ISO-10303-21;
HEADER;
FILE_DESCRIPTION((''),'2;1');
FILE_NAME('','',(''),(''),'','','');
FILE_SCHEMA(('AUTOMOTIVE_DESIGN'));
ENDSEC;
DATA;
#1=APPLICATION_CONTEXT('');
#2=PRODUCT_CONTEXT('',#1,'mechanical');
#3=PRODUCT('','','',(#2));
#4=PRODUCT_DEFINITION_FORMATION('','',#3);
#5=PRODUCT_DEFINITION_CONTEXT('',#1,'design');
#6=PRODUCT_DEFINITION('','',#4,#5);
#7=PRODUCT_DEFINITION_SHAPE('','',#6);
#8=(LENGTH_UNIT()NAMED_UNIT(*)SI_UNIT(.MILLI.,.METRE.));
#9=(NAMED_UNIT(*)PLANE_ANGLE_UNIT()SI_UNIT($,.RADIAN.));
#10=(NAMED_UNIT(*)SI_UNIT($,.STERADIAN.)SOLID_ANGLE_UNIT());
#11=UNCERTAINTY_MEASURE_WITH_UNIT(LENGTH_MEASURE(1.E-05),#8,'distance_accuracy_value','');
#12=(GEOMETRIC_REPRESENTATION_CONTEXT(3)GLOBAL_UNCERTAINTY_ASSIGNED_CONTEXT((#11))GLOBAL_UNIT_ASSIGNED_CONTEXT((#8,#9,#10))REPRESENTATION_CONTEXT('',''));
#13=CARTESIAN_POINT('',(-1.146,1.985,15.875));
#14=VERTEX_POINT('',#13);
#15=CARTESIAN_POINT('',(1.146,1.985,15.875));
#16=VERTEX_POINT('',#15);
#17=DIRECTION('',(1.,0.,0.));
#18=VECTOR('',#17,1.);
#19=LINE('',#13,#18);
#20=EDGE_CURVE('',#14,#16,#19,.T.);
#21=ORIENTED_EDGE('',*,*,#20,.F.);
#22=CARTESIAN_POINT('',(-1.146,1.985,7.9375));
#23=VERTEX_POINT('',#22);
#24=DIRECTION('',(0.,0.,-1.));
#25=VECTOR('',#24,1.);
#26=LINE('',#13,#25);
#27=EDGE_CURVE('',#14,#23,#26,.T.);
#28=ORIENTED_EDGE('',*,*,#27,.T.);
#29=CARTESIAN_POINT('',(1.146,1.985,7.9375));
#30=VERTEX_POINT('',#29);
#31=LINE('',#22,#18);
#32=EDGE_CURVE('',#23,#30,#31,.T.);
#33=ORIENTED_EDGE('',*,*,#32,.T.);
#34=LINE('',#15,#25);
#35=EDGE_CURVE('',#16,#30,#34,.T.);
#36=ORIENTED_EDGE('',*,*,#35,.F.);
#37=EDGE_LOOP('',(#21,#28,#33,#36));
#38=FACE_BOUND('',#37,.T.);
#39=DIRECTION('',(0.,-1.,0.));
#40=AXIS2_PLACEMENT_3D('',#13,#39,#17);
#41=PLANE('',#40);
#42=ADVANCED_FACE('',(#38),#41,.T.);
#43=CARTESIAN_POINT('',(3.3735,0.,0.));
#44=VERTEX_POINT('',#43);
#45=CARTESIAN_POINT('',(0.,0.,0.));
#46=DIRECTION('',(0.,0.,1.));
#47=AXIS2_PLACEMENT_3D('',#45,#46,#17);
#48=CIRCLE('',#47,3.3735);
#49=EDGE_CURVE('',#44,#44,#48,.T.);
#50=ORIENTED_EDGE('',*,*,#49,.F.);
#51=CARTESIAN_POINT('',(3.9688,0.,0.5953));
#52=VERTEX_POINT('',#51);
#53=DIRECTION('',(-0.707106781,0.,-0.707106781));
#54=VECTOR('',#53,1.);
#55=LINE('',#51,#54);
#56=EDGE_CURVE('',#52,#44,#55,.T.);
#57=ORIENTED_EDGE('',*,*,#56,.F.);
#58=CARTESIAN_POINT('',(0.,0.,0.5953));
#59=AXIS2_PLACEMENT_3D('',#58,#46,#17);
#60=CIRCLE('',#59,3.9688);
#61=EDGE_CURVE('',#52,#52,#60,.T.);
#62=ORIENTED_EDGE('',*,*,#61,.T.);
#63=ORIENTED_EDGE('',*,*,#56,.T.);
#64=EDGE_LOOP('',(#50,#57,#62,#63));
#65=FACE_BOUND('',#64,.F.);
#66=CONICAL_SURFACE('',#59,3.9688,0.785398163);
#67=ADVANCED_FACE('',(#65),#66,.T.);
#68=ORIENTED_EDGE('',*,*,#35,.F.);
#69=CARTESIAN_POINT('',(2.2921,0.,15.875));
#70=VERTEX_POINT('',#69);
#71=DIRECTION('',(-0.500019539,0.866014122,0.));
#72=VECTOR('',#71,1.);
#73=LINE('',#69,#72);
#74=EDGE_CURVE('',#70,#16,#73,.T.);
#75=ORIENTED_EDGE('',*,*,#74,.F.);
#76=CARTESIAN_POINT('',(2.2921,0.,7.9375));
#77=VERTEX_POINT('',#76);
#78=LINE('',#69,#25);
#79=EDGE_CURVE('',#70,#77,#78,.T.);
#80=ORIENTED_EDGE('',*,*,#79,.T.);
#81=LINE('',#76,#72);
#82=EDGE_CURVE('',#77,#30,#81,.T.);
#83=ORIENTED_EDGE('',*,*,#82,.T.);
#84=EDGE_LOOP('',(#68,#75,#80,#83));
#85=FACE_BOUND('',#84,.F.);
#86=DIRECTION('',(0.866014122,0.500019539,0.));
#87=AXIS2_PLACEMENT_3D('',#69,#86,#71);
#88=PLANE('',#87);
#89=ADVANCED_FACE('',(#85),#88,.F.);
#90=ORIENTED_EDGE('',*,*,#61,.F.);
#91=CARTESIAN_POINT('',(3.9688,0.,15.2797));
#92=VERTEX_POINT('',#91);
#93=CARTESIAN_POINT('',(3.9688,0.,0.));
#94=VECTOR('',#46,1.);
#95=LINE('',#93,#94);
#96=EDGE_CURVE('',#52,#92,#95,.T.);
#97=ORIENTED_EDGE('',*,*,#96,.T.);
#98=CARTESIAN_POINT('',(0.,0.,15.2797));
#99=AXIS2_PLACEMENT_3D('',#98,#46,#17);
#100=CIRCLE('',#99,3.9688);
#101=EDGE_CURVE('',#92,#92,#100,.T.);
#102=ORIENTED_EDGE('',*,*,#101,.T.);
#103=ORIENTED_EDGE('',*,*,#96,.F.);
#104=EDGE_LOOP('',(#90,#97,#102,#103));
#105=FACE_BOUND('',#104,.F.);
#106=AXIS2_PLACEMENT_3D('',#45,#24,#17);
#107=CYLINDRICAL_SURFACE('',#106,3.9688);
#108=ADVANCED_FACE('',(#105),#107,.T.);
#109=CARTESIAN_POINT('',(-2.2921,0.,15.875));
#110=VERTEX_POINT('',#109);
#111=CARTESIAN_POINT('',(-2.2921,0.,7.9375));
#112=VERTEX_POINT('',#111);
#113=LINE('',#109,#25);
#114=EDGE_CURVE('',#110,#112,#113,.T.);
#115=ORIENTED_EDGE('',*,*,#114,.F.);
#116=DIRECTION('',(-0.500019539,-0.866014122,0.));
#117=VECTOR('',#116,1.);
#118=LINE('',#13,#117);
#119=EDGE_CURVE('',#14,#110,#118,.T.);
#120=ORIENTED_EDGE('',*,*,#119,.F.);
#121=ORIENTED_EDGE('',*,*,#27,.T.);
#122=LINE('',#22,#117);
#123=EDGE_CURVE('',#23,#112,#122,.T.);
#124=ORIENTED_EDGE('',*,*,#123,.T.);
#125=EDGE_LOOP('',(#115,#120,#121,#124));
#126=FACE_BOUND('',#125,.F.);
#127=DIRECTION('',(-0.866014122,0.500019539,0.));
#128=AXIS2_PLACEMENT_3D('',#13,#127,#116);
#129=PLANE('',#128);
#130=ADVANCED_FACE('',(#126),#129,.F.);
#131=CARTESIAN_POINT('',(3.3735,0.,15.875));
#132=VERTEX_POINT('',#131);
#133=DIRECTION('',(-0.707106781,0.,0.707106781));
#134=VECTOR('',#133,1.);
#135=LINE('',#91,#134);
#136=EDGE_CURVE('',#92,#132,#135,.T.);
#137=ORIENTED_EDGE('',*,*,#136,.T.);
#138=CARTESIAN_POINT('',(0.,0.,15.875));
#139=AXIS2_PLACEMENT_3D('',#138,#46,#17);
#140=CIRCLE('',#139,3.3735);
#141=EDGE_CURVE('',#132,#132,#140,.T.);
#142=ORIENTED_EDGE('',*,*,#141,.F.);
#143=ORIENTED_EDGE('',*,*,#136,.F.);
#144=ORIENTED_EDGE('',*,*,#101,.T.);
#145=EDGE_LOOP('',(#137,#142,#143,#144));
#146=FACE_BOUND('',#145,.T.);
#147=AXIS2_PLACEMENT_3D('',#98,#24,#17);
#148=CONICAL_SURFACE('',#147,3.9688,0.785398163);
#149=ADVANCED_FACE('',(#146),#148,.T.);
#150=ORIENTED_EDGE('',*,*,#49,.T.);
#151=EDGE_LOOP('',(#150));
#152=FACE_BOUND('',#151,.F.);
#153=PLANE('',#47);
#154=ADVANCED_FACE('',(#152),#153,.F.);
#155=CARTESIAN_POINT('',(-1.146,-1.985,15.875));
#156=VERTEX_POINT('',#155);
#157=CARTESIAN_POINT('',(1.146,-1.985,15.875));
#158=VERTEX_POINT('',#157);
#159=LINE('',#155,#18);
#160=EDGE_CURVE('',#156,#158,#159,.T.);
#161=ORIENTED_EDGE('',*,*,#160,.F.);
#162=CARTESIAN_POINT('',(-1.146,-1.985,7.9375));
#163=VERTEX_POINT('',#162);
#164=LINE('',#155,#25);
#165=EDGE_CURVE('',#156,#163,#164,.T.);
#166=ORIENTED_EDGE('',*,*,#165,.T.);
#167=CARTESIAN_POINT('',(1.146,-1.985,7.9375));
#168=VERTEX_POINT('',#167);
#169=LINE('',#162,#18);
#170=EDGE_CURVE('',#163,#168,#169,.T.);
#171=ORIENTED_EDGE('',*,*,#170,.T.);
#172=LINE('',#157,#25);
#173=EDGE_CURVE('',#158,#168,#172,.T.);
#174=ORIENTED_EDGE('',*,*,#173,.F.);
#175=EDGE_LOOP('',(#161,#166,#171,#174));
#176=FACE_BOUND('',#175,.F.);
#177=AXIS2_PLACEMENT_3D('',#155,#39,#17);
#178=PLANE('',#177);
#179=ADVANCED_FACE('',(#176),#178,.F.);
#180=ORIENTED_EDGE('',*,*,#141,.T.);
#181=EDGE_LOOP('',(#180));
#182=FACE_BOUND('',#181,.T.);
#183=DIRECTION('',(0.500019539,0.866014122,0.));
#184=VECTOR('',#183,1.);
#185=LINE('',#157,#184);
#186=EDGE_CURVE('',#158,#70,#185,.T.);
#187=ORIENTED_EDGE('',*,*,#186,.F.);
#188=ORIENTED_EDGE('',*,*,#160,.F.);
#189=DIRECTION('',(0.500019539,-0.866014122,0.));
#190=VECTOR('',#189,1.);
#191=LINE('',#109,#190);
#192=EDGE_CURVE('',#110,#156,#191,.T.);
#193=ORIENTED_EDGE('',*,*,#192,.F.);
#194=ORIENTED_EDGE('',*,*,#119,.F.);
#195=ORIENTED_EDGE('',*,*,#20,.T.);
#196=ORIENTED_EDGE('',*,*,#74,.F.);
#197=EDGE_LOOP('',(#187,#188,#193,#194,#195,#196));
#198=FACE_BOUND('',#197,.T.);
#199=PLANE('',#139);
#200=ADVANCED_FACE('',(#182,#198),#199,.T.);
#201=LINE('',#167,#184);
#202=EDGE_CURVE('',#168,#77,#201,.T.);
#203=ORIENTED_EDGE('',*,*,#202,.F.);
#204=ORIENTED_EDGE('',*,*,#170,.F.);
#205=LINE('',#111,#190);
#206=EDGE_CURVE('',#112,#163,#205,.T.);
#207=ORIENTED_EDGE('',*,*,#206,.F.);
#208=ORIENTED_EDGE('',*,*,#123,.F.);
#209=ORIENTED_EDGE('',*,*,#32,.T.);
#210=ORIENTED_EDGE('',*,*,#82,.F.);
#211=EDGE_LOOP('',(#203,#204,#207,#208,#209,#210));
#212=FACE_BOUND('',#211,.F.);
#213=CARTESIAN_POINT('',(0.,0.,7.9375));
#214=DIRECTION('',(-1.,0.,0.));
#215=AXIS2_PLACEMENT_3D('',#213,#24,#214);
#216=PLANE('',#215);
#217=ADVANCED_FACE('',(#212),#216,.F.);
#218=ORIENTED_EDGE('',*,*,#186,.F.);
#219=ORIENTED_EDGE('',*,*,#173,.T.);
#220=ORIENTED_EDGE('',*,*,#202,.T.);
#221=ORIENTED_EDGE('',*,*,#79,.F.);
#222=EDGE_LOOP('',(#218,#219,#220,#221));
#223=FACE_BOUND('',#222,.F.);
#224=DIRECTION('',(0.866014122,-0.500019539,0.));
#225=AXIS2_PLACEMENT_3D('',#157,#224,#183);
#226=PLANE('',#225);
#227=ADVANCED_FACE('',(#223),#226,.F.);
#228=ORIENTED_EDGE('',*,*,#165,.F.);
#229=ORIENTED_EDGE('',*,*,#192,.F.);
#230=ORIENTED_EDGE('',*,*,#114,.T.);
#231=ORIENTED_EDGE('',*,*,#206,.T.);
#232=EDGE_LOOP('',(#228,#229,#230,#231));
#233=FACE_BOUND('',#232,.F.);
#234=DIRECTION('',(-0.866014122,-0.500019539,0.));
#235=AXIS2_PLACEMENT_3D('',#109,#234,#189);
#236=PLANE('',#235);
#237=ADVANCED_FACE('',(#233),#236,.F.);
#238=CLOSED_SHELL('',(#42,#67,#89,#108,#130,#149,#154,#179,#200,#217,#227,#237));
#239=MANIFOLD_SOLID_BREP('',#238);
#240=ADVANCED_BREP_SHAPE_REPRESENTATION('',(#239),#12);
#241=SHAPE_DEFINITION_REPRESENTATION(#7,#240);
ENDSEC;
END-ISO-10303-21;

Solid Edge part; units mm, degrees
sketch "Sketch1" plane through (0, 0, 0) normal (0, 0, 1) x (1, 0, 0)
  circle A0 centre (0, 0) radius 3.9688
  dimension "D1" = 7.9375
extrude "Protrusion1" add sketch "Sketch1" along normal blind 15.875
chamfer "Chamfer1" distance 0.5953 angle 45 2 edges at (-3.9687, 0, 0) (-3.9687, 0, 15.875)
sketch "Sketch2" plane through (0, 0, 15.875) normal (0, 0, 1) x (1, 0, 0)
  line L0 (-1.146, 1.985) -> (1.146, 1.985)
  line L1 (2.2921, 0) -> (1.146, 1.985)
  line L2 (1.146, -1.985) -> (2.2921, 0)
  line L3 (-1.146, -1.985) -> (1.146, -1.985)
  line L4 (-2.2921, 0) -> (-1.146, -1.985)
  line L5 (-1.146, 1.985) -> (-2.2921, 0)
  dimension "D1" = 3.97
extrude "Cutout1" cut sketch "Sketch2" against normal blind 7.9375
properties part number "182099"
